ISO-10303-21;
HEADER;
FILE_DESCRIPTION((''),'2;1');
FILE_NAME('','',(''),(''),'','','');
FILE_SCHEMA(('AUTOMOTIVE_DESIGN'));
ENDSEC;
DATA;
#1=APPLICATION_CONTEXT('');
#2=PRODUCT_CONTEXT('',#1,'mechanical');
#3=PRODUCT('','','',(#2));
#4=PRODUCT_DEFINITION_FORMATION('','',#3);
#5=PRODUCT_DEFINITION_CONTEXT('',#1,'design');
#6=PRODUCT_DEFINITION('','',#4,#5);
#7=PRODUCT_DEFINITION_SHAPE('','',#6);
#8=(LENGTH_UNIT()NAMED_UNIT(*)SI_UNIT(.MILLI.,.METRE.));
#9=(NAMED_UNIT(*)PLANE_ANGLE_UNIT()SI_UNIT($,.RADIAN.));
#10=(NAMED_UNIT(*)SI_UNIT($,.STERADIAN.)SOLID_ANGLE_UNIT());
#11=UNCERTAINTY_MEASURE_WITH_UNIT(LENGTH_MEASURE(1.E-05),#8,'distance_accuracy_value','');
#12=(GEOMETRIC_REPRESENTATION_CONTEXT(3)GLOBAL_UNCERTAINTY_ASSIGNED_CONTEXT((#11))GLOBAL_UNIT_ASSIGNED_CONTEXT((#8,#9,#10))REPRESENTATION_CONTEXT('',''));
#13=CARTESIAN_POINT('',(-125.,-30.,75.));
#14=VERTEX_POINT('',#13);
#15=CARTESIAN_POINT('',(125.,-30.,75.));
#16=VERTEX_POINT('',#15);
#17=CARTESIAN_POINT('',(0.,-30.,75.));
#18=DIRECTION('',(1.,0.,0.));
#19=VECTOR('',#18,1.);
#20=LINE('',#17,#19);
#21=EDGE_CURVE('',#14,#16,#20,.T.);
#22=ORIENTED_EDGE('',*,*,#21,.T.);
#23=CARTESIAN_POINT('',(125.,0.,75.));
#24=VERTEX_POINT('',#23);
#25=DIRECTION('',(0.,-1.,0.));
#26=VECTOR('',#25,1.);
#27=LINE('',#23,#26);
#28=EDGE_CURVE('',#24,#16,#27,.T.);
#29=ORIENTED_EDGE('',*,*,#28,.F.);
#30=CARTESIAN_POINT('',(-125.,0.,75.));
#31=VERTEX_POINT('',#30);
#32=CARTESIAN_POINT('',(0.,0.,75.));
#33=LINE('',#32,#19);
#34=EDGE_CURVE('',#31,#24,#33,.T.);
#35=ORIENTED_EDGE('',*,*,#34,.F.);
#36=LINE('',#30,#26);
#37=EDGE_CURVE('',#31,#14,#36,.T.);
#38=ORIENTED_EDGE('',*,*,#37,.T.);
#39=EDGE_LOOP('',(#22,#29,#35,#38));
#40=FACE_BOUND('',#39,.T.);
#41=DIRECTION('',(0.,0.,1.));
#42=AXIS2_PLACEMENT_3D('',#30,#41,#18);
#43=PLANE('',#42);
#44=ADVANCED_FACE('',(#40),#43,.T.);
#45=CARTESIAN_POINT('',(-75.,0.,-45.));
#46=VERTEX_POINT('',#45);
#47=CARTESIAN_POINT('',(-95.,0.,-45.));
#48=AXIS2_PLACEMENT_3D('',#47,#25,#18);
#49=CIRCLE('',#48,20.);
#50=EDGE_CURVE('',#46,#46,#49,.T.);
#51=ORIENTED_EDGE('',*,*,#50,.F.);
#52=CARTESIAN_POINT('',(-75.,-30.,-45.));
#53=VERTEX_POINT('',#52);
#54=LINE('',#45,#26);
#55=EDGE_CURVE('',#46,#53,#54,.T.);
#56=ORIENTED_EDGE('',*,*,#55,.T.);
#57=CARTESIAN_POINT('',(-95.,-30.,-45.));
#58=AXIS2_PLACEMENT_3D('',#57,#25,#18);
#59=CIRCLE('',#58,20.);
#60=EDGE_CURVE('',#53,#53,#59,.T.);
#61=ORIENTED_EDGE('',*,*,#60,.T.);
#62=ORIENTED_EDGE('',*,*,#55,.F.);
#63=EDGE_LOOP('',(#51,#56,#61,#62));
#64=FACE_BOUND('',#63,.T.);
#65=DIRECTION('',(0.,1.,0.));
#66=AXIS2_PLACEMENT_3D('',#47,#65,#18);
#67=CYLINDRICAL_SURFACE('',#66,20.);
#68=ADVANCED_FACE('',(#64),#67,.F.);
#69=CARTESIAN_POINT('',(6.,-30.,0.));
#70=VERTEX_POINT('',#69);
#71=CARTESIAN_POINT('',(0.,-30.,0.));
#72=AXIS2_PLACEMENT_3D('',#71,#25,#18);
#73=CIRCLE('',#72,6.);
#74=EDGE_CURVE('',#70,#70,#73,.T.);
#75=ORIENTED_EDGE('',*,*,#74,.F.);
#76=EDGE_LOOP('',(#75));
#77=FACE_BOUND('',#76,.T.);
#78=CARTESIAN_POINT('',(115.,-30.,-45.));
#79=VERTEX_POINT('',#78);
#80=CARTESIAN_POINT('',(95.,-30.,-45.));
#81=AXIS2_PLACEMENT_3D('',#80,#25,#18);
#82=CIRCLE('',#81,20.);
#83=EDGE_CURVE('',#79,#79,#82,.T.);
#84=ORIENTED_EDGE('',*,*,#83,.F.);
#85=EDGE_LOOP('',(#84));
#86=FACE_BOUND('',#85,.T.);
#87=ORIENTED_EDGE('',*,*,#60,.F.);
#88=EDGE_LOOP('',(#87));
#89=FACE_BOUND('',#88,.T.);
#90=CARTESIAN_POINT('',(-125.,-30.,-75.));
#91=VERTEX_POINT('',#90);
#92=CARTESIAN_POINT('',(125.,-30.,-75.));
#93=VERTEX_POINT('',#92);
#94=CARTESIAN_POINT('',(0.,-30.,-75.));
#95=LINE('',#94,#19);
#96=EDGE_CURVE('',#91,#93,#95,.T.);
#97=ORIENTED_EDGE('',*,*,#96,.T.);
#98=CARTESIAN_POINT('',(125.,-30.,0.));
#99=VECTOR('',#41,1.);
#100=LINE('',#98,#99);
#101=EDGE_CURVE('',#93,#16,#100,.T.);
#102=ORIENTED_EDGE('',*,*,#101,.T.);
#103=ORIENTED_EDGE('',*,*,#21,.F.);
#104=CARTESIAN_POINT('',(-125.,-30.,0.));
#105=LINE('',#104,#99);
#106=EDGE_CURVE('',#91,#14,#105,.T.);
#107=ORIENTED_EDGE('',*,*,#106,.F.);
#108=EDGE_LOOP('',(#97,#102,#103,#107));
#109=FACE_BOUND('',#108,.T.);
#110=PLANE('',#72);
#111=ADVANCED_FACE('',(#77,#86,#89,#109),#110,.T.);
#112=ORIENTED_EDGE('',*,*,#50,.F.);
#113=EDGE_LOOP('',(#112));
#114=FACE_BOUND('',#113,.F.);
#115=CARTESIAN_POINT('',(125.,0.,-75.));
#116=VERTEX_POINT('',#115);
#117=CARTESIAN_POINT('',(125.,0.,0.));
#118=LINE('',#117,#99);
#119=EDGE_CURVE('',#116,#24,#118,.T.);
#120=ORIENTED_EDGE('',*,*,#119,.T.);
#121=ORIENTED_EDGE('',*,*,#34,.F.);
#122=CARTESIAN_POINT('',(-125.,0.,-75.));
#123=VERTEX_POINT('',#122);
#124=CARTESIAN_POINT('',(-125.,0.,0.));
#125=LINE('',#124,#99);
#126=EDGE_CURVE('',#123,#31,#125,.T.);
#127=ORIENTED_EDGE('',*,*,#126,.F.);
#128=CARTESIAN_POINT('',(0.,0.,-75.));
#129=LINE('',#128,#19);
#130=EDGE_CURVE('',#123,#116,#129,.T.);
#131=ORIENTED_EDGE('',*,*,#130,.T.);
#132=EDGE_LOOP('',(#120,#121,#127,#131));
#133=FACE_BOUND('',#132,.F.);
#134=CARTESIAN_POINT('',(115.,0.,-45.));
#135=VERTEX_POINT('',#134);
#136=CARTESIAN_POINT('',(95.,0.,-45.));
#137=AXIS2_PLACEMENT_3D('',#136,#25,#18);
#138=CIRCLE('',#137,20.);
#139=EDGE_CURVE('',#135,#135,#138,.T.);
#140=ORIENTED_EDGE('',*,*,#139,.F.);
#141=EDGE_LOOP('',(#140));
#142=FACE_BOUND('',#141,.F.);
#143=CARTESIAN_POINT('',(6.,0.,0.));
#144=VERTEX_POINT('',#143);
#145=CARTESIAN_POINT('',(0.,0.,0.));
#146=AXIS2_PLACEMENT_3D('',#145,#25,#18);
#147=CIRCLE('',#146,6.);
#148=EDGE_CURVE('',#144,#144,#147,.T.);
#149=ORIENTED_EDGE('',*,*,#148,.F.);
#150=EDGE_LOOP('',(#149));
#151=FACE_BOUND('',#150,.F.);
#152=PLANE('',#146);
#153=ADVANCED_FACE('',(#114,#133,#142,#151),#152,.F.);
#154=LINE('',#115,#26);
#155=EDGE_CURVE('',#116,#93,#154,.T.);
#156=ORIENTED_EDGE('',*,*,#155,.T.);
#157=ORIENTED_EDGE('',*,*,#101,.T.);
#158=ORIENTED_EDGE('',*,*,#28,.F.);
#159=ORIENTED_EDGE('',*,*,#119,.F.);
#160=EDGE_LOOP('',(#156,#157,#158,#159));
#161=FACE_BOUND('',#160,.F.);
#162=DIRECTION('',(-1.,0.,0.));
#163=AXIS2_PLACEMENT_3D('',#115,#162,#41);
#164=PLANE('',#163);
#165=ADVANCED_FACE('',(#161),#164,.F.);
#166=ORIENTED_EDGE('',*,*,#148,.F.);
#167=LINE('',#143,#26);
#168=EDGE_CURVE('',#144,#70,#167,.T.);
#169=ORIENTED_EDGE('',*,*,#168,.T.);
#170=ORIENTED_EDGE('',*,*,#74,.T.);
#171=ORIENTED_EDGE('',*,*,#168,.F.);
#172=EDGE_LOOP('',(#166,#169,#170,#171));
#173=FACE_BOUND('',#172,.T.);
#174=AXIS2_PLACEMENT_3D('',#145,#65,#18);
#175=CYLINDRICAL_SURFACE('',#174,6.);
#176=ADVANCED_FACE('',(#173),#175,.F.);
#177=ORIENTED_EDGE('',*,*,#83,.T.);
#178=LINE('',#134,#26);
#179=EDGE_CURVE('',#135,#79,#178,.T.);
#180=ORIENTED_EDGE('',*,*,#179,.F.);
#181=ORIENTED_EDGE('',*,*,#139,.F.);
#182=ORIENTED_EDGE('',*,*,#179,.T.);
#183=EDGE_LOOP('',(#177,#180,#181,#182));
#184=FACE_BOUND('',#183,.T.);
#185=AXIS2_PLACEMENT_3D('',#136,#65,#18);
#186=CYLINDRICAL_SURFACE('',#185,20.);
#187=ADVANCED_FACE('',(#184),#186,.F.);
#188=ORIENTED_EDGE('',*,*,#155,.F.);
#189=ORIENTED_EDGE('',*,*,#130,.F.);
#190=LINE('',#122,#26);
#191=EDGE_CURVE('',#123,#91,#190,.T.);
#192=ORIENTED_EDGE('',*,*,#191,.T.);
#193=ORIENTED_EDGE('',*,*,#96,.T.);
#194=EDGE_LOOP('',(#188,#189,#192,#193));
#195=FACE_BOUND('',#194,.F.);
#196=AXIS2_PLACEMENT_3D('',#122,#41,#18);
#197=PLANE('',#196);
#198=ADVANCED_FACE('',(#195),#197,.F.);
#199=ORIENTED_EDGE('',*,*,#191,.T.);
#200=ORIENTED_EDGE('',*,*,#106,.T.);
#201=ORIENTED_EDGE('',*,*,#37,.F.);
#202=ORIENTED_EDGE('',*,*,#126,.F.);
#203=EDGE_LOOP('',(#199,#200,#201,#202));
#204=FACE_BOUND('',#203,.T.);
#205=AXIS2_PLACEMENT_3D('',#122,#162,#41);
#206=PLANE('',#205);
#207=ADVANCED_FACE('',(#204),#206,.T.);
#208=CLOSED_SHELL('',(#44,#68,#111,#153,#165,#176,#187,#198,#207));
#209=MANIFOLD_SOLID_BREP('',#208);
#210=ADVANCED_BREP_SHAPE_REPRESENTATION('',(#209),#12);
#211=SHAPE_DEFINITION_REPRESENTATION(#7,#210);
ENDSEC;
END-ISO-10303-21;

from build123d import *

# Parameters (mm, degrees)
F0_W     = 250
F0_H     = 150
F0_R     = 20
F0_R_2   = 6
F1_DEPTH = 30


with BuildPart() as f1:
    # F0 (on Front) → F1 (new body)
    with BuildSketch(Plane.XZ):
        Rectangle(F0_W, F0_H)
        with Locations((-95, -45)):
            Circle(F0_R, mode=Mode.SUBTRACT)
        with Locations((95, -45)):
            Circle(F0_R, mode=Mode.SUBTRACT)
        Circle(F0_R_2, mode=Mode.SUBTRACT)
    extrude(amount=F1_DEPTH)


solid = f1.part
